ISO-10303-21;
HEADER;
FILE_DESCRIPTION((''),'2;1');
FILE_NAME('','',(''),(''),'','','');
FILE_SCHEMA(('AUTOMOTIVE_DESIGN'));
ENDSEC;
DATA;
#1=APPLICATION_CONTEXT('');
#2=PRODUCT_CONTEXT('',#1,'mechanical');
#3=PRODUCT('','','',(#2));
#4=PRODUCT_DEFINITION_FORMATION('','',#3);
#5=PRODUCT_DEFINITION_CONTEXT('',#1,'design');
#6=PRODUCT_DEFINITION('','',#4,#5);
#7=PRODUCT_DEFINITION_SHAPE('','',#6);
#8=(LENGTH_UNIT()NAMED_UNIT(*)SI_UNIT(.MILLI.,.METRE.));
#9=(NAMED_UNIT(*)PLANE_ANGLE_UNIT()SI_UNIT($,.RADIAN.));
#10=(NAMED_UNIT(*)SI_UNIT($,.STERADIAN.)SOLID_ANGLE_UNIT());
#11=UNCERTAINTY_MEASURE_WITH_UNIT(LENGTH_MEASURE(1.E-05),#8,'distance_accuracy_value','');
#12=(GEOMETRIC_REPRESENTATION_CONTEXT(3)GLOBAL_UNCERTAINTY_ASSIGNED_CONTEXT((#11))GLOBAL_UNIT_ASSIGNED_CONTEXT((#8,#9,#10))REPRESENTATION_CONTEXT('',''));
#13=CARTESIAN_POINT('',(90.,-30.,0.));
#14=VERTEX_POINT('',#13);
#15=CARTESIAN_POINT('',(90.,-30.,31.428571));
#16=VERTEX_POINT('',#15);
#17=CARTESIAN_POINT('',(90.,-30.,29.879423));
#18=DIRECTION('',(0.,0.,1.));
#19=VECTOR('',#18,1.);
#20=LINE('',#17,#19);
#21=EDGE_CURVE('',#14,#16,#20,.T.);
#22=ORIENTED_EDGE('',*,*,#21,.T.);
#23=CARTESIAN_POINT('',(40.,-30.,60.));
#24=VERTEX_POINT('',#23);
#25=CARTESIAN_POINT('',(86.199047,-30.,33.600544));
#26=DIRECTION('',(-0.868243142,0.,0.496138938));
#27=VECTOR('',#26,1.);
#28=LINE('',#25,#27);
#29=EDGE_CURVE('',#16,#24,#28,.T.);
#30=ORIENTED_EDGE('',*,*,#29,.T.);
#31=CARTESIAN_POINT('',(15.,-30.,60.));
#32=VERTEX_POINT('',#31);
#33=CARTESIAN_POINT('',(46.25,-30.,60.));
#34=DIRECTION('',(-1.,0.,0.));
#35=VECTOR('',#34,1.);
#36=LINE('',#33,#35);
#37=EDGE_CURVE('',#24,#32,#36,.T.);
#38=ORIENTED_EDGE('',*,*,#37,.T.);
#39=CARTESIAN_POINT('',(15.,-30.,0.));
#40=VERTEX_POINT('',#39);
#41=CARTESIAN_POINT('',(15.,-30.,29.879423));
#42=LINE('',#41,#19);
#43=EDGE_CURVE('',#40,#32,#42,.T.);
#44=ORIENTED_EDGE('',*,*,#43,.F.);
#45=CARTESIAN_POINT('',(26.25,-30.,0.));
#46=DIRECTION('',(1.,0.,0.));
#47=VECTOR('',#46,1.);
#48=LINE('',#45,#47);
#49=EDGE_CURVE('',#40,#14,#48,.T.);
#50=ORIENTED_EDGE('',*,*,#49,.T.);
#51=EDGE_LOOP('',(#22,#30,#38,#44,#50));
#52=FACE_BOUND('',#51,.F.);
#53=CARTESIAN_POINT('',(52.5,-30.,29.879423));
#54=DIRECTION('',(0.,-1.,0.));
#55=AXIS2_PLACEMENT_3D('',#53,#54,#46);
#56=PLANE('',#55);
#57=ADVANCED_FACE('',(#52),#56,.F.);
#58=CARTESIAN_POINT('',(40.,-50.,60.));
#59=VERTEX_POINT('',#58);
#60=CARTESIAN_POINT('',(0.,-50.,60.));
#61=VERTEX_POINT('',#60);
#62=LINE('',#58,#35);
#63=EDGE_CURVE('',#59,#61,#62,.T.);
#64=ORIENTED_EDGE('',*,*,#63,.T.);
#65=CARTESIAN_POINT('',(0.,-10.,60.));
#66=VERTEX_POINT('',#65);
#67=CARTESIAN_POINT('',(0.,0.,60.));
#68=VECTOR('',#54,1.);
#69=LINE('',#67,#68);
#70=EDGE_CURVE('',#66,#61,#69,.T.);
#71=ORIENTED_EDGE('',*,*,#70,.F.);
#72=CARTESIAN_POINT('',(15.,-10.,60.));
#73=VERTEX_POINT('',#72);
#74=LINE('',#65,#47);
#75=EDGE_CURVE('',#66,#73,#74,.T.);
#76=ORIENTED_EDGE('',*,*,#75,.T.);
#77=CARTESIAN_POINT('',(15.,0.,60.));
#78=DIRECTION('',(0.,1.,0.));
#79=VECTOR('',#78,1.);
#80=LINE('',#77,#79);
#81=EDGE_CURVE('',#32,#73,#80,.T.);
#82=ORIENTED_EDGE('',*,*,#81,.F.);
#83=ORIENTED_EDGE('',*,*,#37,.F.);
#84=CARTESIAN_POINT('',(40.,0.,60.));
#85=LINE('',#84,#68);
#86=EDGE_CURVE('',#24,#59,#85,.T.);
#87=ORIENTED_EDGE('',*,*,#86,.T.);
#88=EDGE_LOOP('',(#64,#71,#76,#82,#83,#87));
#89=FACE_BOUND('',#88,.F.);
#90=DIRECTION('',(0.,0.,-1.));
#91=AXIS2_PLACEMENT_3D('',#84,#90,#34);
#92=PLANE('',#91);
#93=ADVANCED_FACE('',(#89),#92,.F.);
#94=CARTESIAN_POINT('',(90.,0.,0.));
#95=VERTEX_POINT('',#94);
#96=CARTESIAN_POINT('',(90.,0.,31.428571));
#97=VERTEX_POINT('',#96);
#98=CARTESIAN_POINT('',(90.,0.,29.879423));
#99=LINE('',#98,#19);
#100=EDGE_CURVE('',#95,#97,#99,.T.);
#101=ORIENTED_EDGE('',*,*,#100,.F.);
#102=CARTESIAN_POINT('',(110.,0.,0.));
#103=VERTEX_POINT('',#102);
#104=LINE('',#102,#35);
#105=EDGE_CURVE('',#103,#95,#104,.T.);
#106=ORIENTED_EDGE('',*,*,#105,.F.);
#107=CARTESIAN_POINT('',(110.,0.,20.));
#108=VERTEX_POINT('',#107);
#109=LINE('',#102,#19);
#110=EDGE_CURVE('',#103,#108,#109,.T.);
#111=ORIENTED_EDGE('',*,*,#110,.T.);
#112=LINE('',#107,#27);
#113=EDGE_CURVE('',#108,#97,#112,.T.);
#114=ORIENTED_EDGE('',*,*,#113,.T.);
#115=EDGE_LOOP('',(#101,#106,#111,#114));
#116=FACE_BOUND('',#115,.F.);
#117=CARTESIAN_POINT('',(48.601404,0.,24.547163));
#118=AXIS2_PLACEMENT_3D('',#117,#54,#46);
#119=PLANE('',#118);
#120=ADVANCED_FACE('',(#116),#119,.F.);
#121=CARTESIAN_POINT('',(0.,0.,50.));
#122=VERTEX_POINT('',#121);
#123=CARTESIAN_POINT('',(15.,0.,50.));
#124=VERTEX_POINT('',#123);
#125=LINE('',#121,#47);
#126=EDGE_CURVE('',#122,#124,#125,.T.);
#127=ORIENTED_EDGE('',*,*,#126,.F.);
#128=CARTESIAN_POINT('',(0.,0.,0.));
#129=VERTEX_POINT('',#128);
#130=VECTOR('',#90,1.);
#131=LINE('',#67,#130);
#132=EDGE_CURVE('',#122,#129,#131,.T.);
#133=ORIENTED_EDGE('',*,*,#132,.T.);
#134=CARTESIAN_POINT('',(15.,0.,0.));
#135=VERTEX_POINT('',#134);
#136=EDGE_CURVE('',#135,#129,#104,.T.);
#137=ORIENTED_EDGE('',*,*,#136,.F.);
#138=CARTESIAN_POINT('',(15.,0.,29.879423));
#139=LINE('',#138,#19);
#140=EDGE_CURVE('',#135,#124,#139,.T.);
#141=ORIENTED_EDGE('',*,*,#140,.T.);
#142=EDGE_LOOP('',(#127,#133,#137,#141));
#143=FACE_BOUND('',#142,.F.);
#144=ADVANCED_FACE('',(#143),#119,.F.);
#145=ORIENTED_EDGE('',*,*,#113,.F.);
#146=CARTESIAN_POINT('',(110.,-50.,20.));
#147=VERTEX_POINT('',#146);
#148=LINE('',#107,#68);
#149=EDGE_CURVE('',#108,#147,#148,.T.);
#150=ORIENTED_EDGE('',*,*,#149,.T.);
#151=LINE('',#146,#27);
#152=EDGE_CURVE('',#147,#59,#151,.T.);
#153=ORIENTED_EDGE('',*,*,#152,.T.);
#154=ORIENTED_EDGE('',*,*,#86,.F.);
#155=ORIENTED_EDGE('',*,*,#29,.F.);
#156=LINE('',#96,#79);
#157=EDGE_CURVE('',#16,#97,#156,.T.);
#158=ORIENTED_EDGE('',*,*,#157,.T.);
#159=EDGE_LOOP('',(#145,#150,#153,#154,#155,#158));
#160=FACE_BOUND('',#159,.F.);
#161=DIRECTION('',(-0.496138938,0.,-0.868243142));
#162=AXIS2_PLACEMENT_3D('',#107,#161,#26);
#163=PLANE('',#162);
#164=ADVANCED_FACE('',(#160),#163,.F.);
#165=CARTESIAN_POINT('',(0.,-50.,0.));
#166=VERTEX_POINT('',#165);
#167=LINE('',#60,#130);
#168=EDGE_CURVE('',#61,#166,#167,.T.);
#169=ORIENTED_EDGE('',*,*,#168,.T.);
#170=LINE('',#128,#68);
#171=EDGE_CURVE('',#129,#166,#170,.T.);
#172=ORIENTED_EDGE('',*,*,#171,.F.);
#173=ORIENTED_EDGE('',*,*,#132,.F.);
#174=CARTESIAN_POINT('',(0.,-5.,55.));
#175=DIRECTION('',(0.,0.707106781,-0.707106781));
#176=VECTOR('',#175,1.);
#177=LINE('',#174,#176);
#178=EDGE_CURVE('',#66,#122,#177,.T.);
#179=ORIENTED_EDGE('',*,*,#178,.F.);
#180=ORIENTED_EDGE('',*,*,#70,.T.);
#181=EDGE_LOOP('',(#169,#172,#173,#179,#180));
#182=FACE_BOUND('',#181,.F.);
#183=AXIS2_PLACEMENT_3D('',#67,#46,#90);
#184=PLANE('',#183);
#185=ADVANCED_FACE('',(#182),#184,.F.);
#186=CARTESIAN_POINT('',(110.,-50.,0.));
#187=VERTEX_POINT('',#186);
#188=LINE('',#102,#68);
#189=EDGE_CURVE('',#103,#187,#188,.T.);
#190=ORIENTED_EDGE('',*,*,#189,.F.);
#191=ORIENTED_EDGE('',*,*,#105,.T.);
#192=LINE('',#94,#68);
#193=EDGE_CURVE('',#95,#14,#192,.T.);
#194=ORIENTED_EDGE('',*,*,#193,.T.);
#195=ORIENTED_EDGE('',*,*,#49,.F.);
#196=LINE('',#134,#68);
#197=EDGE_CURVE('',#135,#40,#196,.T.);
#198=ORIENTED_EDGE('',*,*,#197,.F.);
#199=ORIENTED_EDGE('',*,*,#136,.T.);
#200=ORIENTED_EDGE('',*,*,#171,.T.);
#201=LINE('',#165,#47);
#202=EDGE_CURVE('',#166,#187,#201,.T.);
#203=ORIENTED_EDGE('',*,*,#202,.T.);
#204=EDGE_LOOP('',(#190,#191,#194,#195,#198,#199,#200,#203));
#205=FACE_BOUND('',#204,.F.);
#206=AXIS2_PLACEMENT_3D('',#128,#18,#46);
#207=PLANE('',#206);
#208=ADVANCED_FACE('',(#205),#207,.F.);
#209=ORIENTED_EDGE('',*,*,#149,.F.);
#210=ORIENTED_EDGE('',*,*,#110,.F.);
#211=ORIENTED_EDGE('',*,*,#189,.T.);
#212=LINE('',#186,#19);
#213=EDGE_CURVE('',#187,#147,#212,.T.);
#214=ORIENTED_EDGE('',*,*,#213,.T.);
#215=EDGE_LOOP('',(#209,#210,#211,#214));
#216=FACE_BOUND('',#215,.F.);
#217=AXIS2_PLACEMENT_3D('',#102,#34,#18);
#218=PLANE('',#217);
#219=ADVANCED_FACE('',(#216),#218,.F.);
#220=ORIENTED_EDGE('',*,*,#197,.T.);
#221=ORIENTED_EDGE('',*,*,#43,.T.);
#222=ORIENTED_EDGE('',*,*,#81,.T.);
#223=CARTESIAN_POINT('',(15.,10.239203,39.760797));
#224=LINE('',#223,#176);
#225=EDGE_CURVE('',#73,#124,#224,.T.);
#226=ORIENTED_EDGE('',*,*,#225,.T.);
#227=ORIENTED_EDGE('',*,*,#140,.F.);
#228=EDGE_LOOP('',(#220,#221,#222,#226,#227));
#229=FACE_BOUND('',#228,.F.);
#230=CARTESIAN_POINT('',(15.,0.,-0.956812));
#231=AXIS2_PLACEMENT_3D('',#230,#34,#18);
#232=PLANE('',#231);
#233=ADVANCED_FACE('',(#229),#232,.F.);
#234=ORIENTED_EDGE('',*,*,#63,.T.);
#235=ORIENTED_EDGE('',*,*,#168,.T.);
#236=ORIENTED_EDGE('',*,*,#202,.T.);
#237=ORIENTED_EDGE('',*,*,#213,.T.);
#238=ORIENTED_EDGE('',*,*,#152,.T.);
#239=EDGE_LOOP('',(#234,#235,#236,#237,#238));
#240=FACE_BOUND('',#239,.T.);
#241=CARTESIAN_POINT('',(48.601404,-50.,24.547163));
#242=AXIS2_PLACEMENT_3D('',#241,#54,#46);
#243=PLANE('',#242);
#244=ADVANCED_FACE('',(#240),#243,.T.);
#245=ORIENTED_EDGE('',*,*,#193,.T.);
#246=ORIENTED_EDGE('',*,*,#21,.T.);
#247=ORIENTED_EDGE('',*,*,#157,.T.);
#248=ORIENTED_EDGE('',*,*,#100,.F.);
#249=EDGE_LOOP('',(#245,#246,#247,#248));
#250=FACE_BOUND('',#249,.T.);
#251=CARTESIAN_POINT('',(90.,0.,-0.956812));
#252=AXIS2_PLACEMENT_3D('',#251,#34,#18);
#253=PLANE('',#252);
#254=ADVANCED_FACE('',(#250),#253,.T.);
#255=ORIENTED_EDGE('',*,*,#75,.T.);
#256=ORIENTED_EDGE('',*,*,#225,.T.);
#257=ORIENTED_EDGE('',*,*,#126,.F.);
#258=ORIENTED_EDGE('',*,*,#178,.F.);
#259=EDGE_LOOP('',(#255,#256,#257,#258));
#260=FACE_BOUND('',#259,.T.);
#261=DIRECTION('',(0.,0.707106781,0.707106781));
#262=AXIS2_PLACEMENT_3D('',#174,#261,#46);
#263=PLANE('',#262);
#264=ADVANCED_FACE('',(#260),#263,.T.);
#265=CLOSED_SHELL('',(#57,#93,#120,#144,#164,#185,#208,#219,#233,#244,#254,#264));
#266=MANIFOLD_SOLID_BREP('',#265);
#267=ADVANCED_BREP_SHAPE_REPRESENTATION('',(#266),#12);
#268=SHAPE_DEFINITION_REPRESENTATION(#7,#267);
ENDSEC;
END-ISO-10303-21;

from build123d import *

# Parameters (mm, degrees)
F1_DEPTH = 50
F2_W     = 75
F2_H     = 61.672469
F3_DEPTH = 30
F4_DEPTH = 30
F5_DEPTH = 30
F6_SIZE  = 10


with BuildPart() as f1:
    # F0 (on Front) → F1 (new body)
    with BuildSketch(Plane.XZ):
        Polygon((0, 60), (0, 0), (110, 0), (110, 20), (40, 60), align=None)
    extrude(amount=F1_DEPTH)

    # F2 (on Front) → F3 (cut)
    with BuildSketch(Plane.XZ):
        with Locations((52.5, 29.879423)):
            Rectangle(F2_W, F2_H)
    extrude(amount=-F3_DEPTH, mode=Mode.SUBTRACT)

    # F2 (on Front) → F4 (cut)
    with BuildSketch(Plane.XZ):
        with Locations((52.5, 29.879423)):
            Rectangle(F2_W, F2_H)
    extrude(amount=-F4_DEPTH, mode=Mode.SUBTRACT)

    # F2 (on Front) → F5 (cut)
    with BuildSketch(Plane.XZ):
        with Locations((52.5, 29.879423)):
            Rectangle(F2_W, F2_H)
    extrude(amount=F5_DEPTH, mode=Mode.SUBTRACT)

    # F6
    f6_edges = [f1.edges().sort_by_distance(p)[0] for p in [
        (7.5, 0, 60),
    ]]
    chamfer(f6_edges, length=F6_SIZE)


solid = f1.part
